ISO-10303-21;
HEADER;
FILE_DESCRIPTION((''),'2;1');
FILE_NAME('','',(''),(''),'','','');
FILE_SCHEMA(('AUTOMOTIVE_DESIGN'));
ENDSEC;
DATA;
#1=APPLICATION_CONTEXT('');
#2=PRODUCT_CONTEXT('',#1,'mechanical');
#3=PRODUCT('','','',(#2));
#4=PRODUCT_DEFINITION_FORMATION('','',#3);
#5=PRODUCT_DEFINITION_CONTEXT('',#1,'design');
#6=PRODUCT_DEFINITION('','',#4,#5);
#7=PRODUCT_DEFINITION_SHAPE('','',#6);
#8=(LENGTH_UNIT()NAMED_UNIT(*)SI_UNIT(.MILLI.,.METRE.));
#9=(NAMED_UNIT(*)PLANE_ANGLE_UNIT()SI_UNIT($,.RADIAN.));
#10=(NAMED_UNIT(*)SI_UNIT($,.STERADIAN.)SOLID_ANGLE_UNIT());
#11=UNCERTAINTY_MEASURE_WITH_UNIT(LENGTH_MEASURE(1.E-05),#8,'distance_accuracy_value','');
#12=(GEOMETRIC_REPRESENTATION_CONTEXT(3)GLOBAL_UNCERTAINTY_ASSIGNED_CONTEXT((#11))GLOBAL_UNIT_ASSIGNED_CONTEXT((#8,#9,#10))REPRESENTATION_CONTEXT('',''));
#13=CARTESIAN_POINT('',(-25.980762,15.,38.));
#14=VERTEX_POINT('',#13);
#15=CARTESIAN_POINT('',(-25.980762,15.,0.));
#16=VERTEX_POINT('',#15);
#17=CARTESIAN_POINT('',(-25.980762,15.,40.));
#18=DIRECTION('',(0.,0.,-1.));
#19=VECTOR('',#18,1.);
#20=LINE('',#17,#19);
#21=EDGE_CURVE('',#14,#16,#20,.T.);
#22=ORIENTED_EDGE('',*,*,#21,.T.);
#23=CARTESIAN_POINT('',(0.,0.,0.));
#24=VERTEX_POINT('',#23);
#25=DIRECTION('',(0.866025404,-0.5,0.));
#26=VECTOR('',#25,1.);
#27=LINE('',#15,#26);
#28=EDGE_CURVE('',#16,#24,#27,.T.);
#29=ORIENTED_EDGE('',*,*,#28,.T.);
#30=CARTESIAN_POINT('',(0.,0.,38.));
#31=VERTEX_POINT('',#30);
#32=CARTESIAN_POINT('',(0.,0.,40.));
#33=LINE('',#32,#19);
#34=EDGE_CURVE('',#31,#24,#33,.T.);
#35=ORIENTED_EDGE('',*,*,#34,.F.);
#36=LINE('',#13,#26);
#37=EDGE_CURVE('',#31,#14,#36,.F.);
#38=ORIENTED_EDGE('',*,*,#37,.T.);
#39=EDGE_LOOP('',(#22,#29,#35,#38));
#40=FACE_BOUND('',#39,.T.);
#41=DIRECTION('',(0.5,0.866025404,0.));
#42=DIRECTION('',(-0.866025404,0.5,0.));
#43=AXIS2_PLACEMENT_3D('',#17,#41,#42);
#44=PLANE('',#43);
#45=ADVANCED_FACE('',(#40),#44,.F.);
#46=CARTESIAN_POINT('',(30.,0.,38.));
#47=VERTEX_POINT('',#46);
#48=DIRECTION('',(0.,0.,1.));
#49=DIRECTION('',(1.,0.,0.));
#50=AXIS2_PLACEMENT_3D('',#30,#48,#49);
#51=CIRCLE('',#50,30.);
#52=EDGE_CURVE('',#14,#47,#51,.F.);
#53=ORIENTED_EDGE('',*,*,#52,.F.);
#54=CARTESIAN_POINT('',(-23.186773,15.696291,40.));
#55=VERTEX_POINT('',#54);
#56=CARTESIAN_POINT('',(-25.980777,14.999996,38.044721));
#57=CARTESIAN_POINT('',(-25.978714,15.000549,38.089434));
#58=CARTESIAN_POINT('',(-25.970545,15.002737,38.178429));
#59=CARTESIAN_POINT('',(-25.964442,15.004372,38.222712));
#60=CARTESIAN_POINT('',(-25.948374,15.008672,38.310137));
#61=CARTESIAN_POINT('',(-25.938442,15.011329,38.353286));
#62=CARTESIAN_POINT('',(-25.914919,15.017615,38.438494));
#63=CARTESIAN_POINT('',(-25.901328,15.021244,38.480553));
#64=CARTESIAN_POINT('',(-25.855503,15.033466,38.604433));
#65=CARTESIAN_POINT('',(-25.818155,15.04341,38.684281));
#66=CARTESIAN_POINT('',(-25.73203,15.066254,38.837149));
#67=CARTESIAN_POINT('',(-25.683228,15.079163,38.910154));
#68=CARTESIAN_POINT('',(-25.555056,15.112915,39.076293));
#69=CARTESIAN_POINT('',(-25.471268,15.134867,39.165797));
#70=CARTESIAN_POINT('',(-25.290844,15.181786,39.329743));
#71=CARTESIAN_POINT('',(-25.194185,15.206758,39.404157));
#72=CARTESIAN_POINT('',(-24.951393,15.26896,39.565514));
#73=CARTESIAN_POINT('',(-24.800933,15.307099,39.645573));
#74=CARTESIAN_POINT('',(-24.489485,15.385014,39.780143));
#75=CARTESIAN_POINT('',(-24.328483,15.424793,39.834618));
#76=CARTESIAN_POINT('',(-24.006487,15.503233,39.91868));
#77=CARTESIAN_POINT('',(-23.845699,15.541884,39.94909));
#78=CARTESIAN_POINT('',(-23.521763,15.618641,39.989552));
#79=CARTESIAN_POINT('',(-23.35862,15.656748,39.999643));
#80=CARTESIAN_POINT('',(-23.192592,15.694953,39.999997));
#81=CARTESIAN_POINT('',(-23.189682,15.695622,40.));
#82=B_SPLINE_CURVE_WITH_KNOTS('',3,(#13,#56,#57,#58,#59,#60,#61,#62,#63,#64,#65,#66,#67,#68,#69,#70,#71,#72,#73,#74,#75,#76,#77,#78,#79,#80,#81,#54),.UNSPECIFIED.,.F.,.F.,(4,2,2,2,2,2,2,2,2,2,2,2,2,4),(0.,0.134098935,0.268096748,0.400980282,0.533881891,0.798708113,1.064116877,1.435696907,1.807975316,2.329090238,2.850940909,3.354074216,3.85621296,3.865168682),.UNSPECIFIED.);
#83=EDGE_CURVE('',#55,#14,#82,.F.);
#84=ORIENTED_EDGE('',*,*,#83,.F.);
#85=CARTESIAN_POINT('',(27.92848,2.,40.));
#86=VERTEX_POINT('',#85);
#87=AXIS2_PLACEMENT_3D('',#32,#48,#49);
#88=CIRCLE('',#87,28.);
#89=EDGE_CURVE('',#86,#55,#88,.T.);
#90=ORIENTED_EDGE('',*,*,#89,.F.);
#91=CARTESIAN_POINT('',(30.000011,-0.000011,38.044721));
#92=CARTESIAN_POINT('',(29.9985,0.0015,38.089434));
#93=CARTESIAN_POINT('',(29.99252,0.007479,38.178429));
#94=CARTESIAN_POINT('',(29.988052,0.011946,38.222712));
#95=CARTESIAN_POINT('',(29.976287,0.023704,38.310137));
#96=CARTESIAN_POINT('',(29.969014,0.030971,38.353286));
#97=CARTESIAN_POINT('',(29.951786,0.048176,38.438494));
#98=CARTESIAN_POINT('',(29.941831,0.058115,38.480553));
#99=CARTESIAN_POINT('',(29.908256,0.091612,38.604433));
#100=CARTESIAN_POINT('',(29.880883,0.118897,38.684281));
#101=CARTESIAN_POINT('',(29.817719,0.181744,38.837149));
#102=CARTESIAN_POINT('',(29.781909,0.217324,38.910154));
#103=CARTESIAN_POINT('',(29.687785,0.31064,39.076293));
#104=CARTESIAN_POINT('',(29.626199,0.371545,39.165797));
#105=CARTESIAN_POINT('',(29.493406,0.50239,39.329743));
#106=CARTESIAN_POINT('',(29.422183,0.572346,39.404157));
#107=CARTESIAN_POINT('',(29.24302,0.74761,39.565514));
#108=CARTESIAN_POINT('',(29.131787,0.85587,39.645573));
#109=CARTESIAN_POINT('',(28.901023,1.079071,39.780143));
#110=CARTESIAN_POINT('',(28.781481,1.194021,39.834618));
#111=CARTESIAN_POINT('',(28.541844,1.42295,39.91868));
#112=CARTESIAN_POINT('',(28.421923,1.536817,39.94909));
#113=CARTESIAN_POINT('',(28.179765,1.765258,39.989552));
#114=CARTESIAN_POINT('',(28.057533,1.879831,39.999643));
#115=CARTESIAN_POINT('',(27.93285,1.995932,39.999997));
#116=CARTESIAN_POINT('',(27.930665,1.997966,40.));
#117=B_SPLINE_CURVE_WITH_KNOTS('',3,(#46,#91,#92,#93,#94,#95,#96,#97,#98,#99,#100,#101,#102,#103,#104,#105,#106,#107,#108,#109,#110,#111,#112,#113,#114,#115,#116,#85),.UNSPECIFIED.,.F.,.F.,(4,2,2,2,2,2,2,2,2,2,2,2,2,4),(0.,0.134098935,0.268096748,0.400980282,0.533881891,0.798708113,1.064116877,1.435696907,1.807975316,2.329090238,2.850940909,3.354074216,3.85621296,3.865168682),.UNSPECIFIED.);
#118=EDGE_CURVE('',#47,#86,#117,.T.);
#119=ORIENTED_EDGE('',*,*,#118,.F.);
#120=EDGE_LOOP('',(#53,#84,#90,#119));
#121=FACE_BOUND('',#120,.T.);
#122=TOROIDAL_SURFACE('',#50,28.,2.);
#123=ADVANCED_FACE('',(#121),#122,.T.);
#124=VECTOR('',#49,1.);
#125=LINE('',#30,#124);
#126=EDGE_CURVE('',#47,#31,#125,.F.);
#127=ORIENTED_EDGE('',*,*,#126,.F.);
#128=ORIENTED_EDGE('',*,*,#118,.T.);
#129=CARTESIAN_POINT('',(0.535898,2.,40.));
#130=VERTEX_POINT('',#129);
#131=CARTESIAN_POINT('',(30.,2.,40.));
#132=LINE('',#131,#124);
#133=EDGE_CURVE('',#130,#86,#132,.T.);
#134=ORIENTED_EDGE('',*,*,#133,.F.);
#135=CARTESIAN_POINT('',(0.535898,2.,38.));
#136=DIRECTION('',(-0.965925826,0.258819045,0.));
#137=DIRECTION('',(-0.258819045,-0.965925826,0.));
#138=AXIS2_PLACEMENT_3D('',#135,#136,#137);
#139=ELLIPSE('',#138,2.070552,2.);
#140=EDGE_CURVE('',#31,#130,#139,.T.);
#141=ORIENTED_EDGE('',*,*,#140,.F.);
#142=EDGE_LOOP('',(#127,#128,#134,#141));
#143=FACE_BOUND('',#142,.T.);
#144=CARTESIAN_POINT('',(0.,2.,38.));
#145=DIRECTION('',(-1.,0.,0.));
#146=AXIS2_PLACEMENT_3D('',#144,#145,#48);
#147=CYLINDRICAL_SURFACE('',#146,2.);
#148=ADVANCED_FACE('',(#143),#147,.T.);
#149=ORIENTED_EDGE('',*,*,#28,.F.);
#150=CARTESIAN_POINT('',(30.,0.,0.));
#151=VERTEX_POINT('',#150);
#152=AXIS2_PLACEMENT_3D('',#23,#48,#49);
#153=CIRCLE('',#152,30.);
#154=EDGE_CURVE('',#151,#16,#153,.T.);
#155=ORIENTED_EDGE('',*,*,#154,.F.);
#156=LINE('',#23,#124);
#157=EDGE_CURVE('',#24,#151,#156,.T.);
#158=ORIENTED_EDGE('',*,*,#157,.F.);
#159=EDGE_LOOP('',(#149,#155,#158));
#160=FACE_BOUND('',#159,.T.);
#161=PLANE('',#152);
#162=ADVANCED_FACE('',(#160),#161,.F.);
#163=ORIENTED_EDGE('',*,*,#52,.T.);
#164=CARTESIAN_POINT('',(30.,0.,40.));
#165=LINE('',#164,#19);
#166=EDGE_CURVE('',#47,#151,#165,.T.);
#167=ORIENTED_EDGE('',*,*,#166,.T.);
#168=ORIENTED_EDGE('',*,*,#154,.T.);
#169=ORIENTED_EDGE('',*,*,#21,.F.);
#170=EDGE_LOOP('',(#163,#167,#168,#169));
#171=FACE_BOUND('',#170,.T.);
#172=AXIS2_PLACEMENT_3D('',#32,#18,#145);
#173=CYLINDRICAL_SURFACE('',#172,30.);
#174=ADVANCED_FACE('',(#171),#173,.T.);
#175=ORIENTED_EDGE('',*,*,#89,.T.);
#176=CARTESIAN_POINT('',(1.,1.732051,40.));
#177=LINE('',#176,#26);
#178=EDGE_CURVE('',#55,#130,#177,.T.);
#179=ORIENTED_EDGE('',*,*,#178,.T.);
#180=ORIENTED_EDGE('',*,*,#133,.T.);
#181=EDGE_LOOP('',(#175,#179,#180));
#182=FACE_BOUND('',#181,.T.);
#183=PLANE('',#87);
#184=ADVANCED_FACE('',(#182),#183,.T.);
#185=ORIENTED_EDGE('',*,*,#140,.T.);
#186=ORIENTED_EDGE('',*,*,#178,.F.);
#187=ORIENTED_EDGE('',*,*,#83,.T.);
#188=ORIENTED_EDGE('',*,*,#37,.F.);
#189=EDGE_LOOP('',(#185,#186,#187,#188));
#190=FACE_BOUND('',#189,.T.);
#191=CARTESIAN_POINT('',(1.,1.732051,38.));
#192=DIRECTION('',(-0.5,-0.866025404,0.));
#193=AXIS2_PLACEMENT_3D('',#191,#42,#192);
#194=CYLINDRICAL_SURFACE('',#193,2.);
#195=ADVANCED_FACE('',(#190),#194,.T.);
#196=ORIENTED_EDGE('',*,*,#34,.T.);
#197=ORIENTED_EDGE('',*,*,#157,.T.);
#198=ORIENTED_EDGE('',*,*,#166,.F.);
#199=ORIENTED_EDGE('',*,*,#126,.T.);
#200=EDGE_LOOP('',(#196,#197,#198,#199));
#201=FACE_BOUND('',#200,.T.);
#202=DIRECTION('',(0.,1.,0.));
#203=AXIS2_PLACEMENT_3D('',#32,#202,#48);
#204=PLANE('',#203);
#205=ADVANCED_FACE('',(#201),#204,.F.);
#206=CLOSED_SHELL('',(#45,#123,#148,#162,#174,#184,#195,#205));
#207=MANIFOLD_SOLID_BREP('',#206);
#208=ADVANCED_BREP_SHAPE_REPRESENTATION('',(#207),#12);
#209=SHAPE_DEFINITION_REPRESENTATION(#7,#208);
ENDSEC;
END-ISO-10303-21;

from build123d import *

# Parameters (mm, degrees)
BOSS_EXTRUDE1_DEPTH = 40
FILLET1_R           = 2


with BuildPart() as part:
    # Sketch1 → Boss-Extrude1 (new body)
    with BuildSketch(Plane.XY):
        with BuildLine():
            Line((-25.980762114, 15), (0, 0))
            Line((0, 0), (30, 0))
            ThreePointArc((30, 0), (7.764571353, 28.977774789), (-25.980762114, 15))
        make_face()
    extrude(amount=BOSS_EXTRUDE1_DEPTH)

    # Fillet1
    fillet1_edges = [part.edges().sort_by_distance(p)[0] for p in [
        (-12.990381057, 7.5, 40),
        (15, 0, 40),
        (7.764571353, 28.977774789, 40),
    ]]
    fillet(fillet1_edges, radius=FILLET1_R)


solid = part.part
